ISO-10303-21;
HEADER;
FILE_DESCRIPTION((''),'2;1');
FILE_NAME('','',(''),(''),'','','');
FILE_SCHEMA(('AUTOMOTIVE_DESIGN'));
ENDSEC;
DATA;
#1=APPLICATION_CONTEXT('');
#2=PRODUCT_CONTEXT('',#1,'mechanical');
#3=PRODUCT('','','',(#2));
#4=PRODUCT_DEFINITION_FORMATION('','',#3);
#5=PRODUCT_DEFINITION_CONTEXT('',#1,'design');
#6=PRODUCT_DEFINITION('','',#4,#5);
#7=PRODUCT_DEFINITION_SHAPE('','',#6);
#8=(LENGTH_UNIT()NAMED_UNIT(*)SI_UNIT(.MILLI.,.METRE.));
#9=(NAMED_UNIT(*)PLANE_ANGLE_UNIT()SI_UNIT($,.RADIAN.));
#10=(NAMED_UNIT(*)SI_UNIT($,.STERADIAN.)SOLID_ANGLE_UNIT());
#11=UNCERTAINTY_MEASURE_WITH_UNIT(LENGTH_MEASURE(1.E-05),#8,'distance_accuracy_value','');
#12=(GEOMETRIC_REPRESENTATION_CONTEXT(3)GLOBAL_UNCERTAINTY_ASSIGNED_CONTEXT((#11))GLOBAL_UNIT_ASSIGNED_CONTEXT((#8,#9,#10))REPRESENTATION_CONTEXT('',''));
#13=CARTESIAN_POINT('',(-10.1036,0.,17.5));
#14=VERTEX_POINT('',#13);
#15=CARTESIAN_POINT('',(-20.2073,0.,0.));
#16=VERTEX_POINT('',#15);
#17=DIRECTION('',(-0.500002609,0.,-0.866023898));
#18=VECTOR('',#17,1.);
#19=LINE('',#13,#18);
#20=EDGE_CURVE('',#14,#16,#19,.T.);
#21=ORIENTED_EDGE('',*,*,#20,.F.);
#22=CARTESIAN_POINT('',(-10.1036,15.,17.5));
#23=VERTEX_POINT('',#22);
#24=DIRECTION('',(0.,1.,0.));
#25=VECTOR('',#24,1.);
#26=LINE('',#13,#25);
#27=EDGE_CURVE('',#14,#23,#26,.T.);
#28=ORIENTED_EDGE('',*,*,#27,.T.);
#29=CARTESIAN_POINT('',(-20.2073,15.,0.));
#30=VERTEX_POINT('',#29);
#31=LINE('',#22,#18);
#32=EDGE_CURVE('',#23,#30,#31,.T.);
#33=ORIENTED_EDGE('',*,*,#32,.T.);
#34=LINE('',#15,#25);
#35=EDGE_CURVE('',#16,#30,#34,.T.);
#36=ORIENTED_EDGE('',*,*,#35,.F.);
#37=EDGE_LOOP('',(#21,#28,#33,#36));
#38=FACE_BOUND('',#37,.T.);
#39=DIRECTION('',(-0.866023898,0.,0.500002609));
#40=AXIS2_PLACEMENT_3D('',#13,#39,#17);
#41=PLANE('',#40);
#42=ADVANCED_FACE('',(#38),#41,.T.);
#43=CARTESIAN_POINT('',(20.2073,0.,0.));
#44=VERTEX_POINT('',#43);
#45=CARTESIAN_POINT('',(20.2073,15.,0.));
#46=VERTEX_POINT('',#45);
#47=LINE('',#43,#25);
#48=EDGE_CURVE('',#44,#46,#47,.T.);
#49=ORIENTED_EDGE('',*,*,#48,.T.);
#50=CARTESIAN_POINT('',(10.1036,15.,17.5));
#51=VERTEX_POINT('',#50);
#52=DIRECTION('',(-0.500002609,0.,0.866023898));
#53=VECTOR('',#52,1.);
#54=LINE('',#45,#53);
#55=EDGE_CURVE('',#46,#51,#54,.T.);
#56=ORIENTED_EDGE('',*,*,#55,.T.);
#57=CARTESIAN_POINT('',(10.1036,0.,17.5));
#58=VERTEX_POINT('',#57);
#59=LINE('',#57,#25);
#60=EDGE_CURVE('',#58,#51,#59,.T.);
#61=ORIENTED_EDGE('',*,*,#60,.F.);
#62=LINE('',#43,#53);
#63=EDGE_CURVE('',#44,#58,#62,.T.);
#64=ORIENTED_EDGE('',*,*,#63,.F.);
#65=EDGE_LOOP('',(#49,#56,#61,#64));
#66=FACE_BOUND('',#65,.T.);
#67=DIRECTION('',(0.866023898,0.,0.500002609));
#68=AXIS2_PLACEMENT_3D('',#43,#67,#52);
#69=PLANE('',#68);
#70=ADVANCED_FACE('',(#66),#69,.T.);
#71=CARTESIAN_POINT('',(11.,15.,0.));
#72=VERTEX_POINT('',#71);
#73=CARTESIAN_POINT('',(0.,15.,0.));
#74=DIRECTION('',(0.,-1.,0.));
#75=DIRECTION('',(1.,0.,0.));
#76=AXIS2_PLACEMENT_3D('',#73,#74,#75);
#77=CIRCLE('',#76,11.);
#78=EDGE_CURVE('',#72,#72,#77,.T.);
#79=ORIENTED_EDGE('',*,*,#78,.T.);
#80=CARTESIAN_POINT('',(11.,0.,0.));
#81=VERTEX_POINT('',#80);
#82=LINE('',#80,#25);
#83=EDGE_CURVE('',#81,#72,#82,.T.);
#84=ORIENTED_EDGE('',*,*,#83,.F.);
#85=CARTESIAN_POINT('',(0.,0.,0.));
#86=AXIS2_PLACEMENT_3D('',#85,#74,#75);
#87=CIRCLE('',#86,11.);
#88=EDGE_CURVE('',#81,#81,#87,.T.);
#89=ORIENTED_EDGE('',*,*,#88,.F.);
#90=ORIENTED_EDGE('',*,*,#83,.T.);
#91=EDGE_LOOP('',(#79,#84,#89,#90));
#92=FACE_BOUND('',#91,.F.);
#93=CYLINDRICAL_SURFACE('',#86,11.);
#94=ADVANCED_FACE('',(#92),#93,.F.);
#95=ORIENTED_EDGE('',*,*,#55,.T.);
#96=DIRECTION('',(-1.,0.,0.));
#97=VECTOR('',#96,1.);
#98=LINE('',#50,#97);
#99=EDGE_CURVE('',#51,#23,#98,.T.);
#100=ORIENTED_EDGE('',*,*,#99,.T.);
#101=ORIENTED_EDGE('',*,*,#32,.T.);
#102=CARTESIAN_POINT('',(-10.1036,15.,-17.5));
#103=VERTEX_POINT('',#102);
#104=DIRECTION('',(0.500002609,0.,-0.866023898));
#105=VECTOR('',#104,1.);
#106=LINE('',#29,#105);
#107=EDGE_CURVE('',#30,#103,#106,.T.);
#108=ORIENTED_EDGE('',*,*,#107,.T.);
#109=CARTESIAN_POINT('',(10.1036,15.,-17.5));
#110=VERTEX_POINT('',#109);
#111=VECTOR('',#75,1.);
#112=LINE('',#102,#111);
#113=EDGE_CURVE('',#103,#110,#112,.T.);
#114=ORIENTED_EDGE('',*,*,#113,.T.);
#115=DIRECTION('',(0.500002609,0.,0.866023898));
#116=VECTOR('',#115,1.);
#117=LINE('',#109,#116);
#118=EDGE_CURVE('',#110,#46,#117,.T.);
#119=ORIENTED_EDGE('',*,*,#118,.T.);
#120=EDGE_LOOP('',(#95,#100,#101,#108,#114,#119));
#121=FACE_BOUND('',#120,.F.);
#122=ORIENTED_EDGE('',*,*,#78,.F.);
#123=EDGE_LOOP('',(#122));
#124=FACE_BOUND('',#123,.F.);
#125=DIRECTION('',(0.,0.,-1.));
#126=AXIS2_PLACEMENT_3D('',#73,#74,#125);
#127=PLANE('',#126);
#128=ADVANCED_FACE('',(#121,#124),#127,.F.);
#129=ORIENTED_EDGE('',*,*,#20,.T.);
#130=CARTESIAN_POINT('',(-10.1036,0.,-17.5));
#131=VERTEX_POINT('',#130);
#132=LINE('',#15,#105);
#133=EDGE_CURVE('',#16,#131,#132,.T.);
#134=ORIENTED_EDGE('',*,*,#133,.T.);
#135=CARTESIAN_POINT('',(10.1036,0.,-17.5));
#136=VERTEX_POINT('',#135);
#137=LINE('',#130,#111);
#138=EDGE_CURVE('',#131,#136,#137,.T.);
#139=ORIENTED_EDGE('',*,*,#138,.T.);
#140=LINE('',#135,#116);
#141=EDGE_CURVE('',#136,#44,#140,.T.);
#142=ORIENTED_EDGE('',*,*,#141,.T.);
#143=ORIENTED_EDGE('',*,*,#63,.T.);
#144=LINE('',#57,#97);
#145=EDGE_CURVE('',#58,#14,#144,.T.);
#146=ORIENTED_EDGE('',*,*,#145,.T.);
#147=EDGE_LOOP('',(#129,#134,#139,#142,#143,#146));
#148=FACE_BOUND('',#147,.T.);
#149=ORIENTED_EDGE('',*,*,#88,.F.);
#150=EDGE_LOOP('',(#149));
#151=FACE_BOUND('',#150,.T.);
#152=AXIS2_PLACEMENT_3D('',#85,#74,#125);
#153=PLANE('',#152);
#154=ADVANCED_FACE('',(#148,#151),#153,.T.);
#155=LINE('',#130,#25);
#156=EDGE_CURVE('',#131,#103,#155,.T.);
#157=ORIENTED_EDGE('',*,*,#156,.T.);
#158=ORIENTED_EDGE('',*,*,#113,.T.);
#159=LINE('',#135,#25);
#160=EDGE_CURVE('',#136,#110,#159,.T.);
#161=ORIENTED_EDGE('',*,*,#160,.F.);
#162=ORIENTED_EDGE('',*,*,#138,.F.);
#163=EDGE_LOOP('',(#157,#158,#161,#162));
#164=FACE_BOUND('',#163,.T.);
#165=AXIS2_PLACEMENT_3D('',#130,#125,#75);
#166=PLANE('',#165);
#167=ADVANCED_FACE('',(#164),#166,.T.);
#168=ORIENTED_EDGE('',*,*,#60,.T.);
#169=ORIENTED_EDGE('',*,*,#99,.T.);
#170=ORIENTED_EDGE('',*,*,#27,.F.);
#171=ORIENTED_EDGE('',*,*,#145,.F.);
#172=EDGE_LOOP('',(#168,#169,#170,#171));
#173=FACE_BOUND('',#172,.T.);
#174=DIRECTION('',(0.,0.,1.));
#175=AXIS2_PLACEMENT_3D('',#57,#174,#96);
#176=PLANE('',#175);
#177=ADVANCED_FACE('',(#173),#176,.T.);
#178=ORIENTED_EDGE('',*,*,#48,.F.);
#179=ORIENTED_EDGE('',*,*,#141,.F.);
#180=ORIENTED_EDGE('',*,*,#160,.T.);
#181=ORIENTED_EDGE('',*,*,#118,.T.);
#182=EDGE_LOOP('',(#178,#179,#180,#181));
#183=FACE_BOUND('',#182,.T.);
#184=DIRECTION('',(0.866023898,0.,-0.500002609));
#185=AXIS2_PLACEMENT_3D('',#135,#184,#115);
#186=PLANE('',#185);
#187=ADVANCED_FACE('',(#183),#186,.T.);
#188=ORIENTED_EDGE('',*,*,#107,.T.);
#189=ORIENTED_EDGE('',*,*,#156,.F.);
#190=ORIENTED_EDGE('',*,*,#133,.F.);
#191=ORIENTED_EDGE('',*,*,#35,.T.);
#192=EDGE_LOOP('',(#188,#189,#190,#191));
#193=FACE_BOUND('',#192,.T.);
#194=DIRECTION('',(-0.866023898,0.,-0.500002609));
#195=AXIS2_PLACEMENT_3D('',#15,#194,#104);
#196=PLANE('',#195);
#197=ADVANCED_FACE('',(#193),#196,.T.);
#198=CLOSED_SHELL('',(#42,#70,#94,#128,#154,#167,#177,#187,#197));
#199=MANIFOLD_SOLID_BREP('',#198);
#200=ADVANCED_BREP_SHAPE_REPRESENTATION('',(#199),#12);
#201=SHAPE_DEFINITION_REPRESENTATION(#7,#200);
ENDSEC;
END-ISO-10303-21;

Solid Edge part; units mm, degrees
sketch "Sketch1" plane through (0, 0, 0) normal (0, -1, 0) x (1, 0, 0)
  line L0 (-10.1036, 17.5) -> (-20.2073, 0)
  line L1 (-20.2073, 0) -> (-10.1036, -17.5)
  line L2 (-10.1036, -17.5) -> (10.1036, -17.5)
  line L3 (10.1036, -17.5) -> (20.2073, 0)
  line L4 (20.2073, 0) -> (10.1036, 17.5)
  line L5 (10.1036, 17.5) -> (-10.1036, 17.5)
extrude "Protrusion1" add sketch "Sketch1" against normal blind 15
sketch "Sketch2" plane through (0, 0, 0) normal (0, -1, 0) x (1, 0, 0)
  circle A0 centre (0, 0) radius 11
extrude "ExtrudedCutout_1" cut sketch "Sketch2" against normal blind 49.2939
cosmetic_thread "Thread1" size "M22"
properties material "Steel"
